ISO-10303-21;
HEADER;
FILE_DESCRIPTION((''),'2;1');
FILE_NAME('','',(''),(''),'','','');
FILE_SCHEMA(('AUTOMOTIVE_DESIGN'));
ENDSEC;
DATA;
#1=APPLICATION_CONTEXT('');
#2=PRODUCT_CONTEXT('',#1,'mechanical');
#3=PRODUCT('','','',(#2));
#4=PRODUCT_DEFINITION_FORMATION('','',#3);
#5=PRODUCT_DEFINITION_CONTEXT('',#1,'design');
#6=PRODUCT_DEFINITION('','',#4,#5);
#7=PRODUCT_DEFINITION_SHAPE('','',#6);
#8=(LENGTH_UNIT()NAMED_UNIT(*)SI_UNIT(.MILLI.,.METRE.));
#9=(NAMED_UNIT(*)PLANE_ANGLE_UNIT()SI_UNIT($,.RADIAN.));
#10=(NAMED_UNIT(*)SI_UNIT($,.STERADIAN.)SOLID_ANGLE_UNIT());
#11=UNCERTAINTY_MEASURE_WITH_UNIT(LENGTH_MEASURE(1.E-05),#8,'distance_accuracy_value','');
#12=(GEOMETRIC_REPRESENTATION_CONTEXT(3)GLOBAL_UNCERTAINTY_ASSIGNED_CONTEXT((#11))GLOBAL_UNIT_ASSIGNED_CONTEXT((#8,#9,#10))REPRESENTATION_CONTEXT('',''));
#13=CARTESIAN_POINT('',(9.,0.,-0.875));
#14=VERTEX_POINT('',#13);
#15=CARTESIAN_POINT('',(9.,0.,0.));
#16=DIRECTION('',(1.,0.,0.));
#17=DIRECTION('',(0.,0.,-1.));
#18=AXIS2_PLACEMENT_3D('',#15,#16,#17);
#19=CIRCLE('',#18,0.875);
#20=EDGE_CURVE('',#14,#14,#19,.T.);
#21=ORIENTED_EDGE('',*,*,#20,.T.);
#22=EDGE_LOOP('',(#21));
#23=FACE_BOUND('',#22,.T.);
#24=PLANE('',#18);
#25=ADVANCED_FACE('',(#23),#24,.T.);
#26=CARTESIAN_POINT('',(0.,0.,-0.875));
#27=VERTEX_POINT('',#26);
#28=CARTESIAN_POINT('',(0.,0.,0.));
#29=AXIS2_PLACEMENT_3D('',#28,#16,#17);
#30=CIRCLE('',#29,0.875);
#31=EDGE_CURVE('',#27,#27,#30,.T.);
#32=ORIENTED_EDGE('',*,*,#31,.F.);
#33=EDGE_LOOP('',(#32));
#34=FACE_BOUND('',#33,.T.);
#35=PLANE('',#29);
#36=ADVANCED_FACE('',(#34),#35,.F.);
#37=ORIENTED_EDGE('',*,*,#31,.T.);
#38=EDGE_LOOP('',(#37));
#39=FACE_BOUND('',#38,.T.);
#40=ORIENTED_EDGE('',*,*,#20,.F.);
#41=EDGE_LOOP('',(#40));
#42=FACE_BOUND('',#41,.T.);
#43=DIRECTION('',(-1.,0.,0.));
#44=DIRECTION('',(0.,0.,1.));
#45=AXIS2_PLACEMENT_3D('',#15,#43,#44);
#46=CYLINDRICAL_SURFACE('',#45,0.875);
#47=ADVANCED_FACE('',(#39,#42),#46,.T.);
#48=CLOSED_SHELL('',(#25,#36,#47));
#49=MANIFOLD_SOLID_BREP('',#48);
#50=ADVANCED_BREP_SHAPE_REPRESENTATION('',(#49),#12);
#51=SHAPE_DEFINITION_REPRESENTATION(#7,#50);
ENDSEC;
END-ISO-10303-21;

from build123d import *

# Parameters (mm, degrees)
SKETCH_1_R      = 0.875
EXTRUDE_1_DEPTH = 9


with BuildPart() as part:
    # Эскиз1 → Бобышка-Вытянуть1 (new body)
    with BuildSketch(Plane(origin=(0, 0, 0), x_dir=(0, 0, -1), z_dir=(1, 0, 0))):
        Circle(SKETCH_1_R)
    extrude(amount=EXTRUDE_1_DEPTH)


solid = part.part
